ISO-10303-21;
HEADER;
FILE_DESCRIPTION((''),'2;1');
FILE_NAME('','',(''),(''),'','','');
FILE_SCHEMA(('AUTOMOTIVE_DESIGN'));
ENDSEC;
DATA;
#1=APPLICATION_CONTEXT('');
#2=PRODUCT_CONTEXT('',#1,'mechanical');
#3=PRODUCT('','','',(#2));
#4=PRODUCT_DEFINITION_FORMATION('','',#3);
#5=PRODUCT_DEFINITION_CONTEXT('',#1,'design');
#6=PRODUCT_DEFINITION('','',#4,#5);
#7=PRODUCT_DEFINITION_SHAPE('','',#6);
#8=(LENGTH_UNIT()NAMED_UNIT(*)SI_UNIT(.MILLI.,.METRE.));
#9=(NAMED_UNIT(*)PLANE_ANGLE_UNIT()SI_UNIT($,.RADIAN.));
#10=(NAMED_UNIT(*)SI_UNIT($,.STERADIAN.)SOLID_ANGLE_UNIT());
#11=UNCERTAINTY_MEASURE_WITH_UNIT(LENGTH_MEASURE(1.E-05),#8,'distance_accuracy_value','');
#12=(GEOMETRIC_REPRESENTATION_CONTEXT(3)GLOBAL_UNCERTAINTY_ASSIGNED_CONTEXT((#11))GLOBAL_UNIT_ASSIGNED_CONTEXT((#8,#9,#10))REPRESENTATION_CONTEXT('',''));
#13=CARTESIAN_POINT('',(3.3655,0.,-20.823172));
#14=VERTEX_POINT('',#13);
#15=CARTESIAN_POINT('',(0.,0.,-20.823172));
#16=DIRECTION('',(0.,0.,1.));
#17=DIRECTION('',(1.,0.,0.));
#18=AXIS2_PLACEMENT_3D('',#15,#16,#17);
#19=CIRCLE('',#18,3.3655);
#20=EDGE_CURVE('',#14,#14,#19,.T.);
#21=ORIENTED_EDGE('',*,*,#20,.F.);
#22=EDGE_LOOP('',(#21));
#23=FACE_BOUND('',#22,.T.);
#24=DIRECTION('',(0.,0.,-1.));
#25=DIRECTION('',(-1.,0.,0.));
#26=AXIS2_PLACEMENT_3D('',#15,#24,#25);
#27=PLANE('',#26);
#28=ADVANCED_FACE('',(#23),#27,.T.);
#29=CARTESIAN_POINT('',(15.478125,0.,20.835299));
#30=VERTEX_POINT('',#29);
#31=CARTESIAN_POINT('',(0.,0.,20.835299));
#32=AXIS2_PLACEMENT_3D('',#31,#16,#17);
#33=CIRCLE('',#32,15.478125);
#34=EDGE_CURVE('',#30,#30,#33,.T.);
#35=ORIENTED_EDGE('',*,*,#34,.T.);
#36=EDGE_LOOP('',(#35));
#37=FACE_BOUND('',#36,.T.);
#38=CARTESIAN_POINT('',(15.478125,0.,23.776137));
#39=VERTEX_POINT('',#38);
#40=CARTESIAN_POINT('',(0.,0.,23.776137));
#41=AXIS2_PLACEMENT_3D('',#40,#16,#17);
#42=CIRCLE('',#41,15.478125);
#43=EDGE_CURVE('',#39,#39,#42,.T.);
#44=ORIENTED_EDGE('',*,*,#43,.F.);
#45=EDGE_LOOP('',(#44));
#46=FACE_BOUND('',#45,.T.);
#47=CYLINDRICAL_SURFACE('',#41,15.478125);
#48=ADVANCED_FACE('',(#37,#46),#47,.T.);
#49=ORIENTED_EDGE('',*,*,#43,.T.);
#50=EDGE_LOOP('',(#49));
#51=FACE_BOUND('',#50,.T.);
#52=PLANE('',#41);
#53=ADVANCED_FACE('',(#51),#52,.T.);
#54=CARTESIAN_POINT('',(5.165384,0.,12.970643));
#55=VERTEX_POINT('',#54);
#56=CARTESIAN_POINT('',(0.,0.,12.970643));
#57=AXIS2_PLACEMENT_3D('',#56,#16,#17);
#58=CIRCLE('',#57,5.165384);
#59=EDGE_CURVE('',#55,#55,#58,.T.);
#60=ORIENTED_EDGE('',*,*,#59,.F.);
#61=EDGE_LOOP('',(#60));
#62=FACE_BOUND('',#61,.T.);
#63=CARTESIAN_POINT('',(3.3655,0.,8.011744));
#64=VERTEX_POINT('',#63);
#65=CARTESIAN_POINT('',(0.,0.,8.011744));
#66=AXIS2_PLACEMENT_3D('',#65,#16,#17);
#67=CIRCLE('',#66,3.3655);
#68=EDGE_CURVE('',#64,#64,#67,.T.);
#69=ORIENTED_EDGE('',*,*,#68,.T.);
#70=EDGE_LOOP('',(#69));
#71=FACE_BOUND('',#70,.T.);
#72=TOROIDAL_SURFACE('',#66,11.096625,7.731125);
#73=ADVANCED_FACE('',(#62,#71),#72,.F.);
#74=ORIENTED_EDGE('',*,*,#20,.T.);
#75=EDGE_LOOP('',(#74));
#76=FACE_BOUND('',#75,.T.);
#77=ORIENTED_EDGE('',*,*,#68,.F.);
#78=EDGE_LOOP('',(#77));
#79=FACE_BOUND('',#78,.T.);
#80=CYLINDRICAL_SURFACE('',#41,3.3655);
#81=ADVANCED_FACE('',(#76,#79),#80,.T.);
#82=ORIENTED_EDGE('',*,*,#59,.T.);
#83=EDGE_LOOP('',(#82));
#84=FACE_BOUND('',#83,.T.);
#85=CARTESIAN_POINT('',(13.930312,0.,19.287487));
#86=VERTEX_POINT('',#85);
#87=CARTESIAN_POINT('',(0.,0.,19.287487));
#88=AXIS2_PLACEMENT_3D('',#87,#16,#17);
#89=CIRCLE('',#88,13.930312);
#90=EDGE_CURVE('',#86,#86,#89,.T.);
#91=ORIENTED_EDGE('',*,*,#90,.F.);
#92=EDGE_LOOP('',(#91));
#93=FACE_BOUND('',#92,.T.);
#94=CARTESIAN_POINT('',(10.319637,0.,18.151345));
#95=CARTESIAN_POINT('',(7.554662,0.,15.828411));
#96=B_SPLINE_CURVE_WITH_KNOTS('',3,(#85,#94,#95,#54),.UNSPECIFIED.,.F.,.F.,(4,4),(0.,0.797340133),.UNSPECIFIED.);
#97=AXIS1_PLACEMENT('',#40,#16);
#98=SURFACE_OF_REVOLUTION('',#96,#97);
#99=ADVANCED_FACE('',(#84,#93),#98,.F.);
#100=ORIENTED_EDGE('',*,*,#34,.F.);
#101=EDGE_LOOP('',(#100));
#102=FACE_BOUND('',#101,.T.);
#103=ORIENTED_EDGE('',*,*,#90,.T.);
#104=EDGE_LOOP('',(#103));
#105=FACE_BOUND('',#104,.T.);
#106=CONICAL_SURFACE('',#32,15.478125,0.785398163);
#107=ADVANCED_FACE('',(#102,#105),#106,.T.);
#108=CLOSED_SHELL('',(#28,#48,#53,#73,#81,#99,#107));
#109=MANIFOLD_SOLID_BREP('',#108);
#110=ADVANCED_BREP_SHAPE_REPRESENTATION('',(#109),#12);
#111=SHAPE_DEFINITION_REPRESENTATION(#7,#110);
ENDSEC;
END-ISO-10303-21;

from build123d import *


with BuildPart() as part:
    # Sketch1 → Revolve1 (revolve)
    with BuildSketch(Plane(origin=(0, 0, 0), x_dir=(1, 0, 0), z_dir=(0, 1, 0))):
        with BuildLine():
            Line((0, -23.776136544), (15.478125, -23.776136544))
            Line((15.478125, -23.776136544), (15.478125, -20.835299144))
            Line((15.478125, -20.835299144), (13.9303125, -19.287486644))
            add(Edge.make_bspline(
                [(13.9303125, -19.287486644), (10.319637256, -18.151345226), (7.554662311, -15.828411363), (5.16538433, -12.97064331)],
                knots=[0, 0, 0, 0, 0.797340133, 0.797340133, 0.797340133, 0.797340133], degree=3))
            ThreePointArc((5.16538433, -12.97064331), (3.829388359, -10.649464181), (3.3655, -8.011744452))
            Line((3.3655, -8.011744452), (3.3655, 20.823171826))
            Line((3.3655, 20.823171826), (0, 20.823171826))
            Line((0, 20.823171826), (0, -23.776136544))
        make_face()
    revolve(axis=Axis((0, 0, 23.776136544), (0, 0, -1)))


solid = part.part
